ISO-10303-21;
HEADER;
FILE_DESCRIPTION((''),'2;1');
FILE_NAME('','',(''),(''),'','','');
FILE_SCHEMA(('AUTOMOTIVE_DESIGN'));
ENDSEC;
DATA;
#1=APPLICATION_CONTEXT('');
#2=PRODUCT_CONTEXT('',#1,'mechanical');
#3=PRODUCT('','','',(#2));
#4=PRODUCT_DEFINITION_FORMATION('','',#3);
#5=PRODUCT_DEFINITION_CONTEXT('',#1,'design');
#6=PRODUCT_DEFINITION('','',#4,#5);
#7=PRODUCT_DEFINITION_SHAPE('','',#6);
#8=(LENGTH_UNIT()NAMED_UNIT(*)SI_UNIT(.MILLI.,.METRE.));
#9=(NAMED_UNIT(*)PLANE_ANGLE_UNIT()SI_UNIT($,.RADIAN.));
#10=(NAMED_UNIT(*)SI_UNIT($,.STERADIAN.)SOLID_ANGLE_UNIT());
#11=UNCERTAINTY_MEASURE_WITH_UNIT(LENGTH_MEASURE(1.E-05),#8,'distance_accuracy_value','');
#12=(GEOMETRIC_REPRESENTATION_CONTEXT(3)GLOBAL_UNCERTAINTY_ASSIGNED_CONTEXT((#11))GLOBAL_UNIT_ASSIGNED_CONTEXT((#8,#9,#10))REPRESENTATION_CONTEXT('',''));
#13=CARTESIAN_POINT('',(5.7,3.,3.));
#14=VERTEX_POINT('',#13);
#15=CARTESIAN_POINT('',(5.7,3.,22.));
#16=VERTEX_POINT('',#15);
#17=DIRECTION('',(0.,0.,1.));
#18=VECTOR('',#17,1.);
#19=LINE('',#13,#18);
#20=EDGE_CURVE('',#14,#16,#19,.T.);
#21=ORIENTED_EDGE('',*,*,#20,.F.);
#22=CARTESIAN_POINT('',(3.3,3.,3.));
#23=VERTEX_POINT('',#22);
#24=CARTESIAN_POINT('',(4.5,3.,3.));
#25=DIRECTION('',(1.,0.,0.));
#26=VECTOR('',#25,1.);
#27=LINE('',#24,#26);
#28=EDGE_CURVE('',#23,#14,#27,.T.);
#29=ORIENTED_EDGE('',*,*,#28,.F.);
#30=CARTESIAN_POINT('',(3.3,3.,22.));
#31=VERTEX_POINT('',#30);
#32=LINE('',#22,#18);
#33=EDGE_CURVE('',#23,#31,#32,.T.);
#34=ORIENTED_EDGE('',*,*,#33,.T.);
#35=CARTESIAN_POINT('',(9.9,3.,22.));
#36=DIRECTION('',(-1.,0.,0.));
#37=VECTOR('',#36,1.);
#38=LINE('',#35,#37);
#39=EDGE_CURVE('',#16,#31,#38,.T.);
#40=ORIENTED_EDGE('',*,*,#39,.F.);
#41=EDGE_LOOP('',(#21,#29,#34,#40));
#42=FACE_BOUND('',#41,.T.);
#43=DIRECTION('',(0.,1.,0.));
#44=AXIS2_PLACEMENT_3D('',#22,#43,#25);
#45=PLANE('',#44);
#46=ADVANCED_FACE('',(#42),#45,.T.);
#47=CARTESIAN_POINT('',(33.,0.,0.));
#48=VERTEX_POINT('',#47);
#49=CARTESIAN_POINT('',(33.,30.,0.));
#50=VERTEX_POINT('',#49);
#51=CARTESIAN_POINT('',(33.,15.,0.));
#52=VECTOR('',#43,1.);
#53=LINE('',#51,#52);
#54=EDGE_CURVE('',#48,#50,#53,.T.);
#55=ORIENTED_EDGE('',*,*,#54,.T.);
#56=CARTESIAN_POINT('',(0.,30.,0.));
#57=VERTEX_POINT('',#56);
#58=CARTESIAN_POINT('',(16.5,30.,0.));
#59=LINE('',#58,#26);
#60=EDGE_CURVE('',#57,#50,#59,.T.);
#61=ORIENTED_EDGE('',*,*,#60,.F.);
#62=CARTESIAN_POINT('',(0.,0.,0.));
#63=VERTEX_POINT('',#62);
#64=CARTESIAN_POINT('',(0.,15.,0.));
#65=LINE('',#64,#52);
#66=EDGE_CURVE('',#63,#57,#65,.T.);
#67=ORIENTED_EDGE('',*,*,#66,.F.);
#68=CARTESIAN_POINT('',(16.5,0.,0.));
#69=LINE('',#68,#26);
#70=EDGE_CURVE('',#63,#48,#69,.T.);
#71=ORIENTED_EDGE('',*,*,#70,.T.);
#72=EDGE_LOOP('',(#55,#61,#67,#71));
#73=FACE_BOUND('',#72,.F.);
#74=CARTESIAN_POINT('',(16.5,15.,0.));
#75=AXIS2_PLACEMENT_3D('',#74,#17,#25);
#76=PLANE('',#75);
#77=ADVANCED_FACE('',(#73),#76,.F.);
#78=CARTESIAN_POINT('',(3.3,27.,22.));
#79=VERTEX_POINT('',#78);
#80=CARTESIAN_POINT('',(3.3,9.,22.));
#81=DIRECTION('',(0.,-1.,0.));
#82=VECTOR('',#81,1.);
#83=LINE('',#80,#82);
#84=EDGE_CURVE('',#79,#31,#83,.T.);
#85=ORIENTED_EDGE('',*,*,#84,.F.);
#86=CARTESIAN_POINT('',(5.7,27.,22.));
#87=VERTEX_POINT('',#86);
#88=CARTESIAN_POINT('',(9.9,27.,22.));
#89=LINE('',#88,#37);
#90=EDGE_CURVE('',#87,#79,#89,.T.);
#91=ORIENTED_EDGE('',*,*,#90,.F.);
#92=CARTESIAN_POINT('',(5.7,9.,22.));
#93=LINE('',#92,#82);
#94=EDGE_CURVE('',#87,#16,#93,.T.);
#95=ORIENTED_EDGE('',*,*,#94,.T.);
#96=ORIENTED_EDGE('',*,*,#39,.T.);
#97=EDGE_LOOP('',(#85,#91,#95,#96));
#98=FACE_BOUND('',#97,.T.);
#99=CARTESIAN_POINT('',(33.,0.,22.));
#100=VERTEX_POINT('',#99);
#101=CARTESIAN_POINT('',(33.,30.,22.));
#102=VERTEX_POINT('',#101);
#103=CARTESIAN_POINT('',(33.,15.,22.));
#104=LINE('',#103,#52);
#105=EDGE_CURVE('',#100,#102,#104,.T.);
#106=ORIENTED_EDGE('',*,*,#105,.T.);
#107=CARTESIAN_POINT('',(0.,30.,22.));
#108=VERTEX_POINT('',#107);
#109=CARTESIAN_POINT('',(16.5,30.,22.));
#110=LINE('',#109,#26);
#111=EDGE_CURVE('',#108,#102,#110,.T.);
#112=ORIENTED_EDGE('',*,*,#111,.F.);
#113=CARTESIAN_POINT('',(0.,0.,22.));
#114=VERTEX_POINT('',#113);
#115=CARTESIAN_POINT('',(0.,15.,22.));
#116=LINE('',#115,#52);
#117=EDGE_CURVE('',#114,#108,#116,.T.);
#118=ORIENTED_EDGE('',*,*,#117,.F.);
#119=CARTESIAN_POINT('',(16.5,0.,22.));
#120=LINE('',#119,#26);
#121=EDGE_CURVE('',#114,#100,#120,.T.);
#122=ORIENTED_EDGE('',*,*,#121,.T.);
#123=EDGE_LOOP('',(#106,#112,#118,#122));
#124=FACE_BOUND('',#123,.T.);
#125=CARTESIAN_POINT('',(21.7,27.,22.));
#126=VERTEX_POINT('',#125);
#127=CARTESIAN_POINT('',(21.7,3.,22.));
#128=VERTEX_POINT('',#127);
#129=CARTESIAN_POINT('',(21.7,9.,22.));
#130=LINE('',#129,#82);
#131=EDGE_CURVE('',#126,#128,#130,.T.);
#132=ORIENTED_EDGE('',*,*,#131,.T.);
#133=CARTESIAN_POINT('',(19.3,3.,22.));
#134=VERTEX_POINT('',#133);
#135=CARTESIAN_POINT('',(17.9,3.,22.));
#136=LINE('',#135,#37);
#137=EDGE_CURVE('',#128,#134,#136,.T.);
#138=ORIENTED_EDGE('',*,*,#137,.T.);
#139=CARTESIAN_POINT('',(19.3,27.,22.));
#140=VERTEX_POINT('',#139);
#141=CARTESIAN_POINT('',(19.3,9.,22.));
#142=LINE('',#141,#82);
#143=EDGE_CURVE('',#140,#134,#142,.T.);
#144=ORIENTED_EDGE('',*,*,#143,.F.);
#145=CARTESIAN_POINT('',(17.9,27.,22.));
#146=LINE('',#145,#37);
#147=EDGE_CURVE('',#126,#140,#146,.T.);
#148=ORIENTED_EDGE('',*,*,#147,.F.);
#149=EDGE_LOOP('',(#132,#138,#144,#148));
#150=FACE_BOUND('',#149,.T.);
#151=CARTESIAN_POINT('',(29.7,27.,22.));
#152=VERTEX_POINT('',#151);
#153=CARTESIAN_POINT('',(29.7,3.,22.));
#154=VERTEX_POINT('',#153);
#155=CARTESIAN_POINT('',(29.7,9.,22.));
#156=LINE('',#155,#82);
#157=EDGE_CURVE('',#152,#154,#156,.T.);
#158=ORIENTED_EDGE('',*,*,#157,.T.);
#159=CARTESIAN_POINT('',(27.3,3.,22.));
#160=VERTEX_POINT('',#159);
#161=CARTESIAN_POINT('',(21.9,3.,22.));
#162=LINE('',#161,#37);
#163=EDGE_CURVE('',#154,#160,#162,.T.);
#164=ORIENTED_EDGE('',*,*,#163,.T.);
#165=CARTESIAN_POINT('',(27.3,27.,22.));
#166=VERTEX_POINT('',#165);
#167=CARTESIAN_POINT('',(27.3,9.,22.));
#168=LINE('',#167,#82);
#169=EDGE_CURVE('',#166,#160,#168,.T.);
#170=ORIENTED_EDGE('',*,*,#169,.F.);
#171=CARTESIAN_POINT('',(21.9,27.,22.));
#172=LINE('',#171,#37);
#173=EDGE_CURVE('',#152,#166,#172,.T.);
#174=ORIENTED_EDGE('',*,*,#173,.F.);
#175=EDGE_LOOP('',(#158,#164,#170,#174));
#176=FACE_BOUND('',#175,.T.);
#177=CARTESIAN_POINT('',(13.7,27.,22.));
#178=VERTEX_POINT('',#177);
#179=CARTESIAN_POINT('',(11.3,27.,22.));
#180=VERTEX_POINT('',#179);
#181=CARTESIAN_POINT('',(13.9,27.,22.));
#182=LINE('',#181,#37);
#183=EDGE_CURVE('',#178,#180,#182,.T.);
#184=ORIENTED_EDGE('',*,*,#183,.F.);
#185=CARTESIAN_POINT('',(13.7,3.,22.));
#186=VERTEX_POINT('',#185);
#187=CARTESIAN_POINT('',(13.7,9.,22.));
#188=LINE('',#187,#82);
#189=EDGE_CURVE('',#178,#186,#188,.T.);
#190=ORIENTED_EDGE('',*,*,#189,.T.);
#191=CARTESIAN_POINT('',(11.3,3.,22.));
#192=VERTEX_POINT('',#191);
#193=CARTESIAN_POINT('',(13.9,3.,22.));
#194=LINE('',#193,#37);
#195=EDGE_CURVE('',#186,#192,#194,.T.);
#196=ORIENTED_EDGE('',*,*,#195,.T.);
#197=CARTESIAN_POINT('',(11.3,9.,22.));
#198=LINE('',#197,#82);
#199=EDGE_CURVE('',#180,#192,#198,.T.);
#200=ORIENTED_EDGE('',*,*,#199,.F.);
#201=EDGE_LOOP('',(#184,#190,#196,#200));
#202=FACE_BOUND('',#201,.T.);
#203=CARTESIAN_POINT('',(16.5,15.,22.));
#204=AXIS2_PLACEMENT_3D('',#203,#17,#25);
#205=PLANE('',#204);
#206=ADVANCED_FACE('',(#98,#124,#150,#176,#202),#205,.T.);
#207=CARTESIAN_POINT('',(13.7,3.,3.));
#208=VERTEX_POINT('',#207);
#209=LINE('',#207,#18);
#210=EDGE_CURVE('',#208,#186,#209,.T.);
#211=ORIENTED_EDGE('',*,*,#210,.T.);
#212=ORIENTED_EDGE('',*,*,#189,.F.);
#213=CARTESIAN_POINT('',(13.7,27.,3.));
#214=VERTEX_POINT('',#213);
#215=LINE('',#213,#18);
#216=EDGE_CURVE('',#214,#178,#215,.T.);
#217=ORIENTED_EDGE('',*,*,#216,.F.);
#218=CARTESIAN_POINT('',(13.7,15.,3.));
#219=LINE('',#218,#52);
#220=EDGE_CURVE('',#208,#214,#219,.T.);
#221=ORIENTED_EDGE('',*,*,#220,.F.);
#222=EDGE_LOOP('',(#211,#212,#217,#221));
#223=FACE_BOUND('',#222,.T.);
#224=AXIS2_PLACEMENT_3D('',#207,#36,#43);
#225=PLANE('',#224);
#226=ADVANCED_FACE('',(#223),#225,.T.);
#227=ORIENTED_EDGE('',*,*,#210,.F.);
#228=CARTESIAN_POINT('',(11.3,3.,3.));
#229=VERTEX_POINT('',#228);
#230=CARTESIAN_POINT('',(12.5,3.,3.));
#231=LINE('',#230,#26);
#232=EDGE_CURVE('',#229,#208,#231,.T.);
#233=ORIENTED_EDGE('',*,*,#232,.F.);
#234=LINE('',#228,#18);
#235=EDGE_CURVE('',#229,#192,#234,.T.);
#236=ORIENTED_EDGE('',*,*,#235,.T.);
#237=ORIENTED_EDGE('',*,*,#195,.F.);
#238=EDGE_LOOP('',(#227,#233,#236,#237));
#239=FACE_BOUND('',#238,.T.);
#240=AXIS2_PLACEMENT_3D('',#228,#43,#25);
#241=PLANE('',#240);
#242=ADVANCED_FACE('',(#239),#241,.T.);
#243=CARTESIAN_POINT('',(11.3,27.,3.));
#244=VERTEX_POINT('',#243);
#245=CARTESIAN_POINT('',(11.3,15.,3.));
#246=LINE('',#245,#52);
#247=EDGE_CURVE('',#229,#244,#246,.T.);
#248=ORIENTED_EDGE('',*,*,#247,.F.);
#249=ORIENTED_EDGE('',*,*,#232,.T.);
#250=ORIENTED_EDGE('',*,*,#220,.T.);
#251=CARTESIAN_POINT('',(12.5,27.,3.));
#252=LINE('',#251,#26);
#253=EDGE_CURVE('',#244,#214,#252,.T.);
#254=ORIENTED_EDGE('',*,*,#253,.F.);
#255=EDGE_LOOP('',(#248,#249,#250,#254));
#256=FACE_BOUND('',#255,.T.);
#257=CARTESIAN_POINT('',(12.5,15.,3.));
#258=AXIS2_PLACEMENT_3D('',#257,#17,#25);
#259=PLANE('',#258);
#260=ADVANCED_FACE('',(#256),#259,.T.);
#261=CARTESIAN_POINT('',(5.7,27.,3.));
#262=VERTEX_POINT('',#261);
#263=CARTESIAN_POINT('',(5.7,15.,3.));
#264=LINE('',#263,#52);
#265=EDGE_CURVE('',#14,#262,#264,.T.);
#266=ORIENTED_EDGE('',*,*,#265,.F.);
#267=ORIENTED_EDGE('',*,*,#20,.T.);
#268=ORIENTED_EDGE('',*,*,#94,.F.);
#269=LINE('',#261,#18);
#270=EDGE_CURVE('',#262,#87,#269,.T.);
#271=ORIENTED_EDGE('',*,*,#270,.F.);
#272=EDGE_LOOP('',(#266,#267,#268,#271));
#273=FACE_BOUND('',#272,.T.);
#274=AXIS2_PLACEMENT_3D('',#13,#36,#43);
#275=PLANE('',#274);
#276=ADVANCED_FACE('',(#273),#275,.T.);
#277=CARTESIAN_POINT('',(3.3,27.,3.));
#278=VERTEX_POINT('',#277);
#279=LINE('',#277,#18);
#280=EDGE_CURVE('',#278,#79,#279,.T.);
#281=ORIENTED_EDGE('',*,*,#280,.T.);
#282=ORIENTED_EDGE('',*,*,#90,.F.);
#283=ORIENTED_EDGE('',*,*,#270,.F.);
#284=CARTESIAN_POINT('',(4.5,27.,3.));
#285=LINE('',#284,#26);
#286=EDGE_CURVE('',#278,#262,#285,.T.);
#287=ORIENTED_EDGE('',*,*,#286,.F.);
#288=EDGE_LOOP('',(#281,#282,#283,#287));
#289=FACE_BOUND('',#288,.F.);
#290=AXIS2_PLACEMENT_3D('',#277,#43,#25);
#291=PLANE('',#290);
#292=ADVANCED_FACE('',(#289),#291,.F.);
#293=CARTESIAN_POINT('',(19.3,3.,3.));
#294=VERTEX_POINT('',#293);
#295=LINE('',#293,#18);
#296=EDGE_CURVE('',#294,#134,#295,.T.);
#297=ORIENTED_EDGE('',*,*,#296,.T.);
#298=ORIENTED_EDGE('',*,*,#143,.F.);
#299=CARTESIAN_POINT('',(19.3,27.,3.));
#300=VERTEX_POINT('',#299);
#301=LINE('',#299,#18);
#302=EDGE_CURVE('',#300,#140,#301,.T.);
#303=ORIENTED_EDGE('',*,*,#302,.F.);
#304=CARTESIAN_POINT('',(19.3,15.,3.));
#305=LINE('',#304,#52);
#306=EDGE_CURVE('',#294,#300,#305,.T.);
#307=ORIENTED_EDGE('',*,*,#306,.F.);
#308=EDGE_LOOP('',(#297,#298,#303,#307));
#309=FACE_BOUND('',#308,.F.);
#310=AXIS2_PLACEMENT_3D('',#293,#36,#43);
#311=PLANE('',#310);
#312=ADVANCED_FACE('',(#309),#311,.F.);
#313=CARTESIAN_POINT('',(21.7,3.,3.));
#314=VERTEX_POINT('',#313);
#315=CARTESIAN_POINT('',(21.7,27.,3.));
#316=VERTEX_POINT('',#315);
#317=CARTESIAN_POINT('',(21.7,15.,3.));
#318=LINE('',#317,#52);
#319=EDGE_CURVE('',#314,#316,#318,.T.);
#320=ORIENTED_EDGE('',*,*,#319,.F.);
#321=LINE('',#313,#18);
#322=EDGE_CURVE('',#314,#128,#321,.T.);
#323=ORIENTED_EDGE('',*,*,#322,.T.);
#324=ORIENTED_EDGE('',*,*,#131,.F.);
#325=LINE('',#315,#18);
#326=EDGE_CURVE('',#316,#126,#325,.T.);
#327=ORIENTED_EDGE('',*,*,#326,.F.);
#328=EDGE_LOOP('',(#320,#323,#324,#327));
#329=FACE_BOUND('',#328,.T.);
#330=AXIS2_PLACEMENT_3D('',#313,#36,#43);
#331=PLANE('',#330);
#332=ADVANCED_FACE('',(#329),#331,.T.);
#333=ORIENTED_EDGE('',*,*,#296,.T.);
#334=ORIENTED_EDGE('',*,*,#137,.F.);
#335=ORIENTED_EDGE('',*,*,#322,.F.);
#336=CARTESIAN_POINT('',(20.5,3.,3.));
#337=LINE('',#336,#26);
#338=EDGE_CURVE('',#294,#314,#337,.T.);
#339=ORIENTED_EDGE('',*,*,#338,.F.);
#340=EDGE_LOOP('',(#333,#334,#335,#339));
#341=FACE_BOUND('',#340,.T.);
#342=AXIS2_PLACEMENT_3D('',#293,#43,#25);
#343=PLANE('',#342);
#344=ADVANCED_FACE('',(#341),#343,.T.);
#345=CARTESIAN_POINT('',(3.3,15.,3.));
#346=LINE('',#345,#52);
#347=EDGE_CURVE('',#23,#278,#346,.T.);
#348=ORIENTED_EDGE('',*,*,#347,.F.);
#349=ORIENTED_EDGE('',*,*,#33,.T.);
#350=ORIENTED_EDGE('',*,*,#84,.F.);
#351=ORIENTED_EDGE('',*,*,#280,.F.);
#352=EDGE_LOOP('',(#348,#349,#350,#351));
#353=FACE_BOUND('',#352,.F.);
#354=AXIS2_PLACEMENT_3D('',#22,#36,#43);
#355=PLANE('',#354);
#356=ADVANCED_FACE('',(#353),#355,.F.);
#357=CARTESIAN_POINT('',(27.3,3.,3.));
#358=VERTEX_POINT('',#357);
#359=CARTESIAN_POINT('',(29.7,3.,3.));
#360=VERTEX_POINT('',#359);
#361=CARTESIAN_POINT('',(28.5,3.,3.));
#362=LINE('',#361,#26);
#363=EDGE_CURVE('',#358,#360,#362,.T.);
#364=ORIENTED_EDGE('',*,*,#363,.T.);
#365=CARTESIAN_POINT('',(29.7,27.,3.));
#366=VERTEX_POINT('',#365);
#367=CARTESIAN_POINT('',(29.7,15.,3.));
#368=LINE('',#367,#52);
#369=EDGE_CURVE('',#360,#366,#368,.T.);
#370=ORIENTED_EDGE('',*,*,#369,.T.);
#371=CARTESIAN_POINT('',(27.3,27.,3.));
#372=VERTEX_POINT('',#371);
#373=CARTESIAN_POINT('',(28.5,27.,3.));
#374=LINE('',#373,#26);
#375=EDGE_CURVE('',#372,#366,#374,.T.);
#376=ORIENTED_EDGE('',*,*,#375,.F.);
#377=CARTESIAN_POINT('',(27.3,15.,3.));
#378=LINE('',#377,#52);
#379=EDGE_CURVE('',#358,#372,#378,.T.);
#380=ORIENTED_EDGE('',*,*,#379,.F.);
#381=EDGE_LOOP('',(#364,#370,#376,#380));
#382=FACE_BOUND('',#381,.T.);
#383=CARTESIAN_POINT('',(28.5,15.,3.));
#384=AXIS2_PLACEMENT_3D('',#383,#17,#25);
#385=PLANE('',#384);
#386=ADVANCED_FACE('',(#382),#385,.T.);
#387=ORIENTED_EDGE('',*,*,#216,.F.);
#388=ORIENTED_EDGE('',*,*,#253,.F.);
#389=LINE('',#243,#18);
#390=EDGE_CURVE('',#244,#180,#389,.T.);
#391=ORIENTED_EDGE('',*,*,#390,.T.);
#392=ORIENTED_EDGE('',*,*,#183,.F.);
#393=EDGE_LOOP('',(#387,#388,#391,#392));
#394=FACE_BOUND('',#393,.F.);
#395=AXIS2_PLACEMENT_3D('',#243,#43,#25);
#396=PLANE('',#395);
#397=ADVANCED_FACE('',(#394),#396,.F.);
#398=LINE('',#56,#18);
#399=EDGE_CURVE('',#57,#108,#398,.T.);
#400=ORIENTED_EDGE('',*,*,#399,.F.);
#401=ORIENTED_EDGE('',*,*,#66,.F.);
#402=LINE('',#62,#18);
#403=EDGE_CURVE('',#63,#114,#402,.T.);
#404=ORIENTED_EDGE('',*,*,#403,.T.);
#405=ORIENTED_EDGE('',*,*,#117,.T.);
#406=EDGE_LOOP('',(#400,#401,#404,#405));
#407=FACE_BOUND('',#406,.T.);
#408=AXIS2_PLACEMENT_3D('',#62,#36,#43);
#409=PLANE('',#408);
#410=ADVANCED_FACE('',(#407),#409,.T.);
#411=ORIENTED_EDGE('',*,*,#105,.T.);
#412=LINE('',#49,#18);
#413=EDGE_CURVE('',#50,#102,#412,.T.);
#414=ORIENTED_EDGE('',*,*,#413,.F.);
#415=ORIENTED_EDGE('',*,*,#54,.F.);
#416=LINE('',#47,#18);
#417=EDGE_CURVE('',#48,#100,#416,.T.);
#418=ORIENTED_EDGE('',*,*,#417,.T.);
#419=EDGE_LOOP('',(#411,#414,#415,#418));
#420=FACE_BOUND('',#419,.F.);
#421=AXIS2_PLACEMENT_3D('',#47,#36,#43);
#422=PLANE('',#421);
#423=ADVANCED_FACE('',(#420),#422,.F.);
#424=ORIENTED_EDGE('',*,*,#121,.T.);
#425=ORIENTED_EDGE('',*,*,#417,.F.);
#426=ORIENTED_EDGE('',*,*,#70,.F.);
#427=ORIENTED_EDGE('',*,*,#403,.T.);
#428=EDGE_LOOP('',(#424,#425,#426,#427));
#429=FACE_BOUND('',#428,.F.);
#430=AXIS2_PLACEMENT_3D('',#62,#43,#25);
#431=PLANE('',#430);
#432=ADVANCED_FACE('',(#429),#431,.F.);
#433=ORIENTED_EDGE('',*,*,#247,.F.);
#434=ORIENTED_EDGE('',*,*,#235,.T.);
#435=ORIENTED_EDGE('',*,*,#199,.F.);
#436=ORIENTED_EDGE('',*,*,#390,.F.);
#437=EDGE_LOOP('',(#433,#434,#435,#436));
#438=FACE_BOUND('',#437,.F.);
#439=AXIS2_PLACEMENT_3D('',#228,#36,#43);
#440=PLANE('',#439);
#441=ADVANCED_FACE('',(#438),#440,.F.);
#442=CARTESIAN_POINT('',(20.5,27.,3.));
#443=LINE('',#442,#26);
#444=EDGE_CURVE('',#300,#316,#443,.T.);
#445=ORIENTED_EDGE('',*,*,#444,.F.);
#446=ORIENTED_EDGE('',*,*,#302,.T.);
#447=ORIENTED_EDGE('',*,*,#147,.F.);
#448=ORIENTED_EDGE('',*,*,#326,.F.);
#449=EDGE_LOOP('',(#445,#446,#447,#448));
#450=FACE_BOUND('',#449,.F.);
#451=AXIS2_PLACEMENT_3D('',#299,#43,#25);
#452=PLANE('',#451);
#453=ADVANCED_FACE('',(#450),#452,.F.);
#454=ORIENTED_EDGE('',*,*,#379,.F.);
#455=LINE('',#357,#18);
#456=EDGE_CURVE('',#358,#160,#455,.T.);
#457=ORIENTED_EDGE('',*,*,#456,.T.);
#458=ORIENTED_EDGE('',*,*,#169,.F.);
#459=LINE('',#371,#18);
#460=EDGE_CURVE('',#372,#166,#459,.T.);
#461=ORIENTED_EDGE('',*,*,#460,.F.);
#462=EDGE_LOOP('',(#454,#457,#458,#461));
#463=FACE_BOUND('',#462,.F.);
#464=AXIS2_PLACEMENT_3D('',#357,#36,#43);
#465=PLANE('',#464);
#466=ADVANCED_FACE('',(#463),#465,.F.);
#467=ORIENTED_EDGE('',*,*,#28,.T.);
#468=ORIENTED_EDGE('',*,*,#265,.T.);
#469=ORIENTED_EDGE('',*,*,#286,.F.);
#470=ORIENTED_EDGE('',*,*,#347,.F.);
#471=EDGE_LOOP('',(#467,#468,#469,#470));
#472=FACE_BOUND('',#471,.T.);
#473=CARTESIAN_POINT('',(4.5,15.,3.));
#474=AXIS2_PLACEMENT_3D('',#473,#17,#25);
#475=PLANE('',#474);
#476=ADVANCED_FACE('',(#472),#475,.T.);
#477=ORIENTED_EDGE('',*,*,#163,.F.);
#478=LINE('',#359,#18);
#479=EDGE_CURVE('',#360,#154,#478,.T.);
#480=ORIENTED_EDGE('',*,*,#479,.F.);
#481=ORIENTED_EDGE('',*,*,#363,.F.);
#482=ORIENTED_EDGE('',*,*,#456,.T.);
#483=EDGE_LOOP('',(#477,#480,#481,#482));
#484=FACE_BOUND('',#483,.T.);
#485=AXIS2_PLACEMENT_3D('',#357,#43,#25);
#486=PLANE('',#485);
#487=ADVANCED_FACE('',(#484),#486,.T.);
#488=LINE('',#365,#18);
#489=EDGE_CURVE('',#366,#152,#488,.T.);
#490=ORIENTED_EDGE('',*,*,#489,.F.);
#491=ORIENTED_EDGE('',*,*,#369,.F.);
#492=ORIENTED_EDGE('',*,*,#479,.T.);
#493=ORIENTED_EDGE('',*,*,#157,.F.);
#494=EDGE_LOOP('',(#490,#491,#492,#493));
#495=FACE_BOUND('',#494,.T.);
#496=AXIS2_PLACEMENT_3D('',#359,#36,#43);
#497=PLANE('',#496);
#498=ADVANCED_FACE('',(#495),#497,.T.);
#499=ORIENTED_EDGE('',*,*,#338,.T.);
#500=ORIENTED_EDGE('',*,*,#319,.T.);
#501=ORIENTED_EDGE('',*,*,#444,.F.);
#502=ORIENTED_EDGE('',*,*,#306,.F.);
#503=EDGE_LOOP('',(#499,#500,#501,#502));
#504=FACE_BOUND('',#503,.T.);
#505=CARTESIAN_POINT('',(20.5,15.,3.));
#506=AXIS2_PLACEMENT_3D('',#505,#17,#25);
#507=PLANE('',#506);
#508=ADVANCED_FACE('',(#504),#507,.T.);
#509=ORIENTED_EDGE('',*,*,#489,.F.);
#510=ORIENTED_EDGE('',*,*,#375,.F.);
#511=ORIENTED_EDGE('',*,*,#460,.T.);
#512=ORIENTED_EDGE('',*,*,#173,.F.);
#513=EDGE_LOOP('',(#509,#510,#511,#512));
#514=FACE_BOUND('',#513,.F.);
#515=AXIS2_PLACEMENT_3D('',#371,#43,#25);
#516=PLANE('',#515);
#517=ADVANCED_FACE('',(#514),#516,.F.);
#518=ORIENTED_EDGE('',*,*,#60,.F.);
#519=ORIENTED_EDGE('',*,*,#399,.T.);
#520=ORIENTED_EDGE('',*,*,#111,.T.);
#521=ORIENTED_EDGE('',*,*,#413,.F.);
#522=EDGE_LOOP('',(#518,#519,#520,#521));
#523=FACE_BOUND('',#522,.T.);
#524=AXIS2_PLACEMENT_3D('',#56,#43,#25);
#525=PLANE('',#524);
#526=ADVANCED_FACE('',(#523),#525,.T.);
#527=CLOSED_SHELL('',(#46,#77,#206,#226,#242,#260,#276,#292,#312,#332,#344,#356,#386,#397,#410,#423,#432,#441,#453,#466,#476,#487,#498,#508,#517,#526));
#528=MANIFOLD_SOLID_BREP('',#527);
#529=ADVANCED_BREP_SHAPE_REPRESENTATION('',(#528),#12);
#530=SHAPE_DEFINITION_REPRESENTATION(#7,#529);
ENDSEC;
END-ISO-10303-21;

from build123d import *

# Parameters (mm, degrees)
BOX001_W     = 2.4
BOX001_H     = 24
BOX001_DEPTH = 22
BOX002_W     = 2.4
BOX002_H     = 24
BOX002_DEPTH = 22
BOX003_W     = 2.4
BOX003_H     = 24
BOX003_DEPTH = 22
BOX_W        = 2.4
BOX_H        = 24
BOX_DEPTH    = 22
BOX004_W     = 33
BOX004_H     = 30
BOX004_DEPTH = 22


with BuildPart() as cub001:
    # Box001 → Box001 (new body)
    with BuildSketch(Plane(origin=(11.3, 3, 3), x_dir=(1, 0, 0), z_dir=(0, 0, 1))):
        with Locations((1.2, 12)):
            Rectangle(BOX001_W, BOX001_H)
    extrude(amount=BOX001_DEPTH)


with BuildPart() as cub002:
    # Box002 → Box002 (new body)
    with BuildSketch(Plane(origin=(19.3, 3, 3), x_dir=(1, 0, 0), z_dir=(0, 0, 1))):
        with Locations((1.2, 12)):
            Rectangle(BOX002_W, BOX002_H)
    extrude(amount=BOX002_DEPTH)


with BuildPart() as cub003:
    # Box003 → Box003 (new body)
    with BuildSketch(Plane(origin=(27.3, 3, 3), x_dir=(1, 0, 0), z_dir=(0, 0, 1))):
        with Locations((1.2, 12)):
            Rectangle(BOX003_W, BOX003_H)
    extrude(amount=BOX003_DEPTH)


with BuildPart() as renuras:
    # Box → Box (new body)
    with BuildSketch(Plane(origin=(3.3, 3, 3), x_dir=(1, 0, 0), z_dir=(0, 0, 1))):
        with Locations((1.2, 12)):
            Rectangle(BOX_W, BOX_H)
    extrude(amount=BOX_DEPTH)

    # Fusion: union Cub001, Cub002, Cub003
    add(cub001.part)
    add(cub002.part)
    add(cub003.part)


with BuildPart() as cut:
    # Box004 → Box004 (new body)
    with BuildSketch(Plane.XY):
        with Locations((16.5, 15)):
            Rectangle(BOX004_W, BOX004_H)
    extrude(amount=BOX004_DEPTH)

    # Cut: cut renuras
    add(renuras.part, mode=Mode.SUBTRACT)


solid = cut.part
